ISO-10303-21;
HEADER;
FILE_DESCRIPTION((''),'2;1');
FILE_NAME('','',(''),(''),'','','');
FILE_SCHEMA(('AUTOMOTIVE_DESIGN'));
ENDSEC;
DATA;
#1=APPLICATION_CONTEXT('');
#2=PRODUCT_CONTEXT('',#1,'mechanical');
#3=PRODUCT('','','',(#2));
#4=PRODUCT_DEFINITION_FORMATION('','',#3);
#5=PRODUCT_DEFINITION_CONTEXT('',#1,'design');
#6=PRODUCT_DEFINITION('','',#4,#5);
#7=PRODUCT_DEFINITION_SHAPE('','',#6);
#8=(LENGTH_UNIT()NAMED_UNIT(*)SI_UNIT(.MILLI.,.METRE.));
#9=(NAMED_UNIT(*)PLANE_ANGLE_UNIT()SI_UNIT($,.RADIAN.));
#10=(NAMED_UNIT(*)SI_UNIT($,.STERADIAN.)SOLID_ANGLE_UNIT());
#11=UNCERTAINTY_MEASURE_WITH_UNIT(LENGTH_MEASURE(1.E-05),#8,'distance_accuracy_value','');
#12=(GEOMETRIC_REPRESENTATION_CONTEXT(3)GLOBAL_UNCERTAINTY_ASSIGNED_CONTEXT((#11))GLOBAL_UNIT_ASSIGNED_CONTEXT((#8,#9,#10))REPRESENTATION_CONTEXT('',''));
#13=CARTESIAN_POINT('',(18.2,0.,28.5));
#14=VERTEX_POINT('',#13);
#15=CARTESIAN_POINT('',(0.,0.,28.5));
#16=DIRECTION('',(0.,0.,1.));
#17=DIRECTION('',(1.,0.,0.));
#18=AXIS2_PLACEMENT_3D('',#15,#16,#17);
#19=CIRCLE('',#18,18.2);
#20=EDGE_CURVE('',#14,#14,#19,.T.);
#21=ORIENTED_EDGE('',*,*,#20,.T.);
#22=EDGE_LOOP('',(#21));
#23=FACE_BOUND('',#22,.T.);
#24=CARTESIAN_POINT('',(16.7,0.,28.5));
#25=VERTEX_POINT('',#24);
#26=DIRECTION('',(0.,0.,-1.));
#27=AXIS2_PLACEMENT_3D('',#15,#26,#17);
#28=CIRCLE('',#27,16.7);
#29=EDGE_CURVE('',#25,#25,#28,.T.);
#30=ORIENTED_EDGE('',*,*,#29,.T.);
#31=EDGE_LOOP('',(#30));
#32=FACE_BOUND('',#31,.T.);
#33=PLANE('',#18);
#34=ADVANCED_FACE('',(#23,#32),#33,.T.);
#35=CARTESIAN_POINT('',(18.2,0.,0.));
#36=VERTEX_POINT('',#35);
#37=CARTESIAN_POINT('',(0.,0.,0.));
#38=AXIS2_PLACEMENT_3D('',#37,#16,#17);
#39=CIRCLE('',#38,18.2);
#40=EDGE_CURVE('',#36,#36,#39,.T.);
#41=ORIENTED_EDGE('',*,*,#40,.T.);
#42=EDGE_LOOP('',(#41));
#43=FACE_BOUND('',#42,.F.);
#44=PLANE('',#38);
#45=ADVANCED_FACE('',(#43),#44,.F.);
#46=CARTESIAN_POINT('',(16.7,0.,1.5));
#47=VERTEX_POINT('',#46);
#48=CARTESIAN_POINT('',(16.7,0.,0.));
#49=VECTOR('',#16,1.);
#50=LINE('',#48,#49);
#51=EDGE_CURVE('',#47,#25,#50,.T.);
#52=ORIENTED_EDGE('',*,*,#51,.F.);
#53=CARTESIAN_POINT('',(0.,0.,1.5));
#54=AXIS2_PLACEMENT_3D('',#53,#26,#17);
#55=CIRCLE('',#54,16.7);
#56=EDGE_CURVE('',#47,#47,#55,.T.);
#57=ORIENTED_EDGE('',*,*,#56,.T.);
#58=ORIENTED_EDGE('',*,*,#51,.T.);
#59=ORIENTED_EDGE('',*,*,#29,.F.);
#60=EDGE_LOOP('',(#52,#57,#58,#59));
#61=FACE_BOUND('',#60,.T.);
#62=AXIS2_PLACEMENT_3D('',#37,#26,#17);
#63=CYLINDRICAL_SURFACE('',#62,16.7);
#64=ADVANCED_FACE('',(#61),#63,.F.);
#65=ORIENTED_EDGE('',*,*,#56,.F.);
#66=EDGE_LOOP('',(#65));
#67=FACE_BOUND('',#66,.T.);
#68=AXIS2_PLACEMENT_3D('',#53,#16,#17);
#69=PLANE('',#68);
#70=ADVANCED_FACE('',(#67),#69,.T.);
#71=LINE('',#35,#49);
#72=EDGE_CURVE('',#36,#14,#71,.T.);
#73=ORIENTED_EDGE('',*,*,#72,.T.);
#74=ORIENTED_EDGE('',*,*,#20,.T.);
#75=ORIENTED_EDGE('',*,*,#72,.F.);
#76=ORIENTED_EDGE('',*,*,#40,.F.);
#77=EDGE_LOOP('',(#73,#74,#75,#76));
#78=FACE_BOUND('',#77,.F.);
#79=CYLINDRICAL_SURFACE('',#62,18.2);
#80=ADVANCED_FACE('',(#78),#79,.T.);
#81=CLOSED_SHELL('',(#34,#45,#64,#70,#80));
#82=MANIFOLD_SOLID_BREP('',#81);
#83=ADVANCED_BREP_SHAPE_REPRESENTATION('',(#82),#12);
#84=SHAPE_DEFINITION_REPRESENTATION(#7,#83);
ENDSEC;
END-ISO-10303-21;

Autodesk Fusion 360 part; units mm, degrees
sketch "Sketch1" plane through (0, 0, 0) normal (0, 0, 1) x (1, 0, 0)
  circle A0 centre (0, 0) radius 18.2
  dimension "d5" = 36.4
extrude "Extrude2" add sketch "Sketch1" along normal blind 28.5
shell "Shell2" thickness 1.5 removed faces 1 at (5.3342, 0.2875, 28.5)
